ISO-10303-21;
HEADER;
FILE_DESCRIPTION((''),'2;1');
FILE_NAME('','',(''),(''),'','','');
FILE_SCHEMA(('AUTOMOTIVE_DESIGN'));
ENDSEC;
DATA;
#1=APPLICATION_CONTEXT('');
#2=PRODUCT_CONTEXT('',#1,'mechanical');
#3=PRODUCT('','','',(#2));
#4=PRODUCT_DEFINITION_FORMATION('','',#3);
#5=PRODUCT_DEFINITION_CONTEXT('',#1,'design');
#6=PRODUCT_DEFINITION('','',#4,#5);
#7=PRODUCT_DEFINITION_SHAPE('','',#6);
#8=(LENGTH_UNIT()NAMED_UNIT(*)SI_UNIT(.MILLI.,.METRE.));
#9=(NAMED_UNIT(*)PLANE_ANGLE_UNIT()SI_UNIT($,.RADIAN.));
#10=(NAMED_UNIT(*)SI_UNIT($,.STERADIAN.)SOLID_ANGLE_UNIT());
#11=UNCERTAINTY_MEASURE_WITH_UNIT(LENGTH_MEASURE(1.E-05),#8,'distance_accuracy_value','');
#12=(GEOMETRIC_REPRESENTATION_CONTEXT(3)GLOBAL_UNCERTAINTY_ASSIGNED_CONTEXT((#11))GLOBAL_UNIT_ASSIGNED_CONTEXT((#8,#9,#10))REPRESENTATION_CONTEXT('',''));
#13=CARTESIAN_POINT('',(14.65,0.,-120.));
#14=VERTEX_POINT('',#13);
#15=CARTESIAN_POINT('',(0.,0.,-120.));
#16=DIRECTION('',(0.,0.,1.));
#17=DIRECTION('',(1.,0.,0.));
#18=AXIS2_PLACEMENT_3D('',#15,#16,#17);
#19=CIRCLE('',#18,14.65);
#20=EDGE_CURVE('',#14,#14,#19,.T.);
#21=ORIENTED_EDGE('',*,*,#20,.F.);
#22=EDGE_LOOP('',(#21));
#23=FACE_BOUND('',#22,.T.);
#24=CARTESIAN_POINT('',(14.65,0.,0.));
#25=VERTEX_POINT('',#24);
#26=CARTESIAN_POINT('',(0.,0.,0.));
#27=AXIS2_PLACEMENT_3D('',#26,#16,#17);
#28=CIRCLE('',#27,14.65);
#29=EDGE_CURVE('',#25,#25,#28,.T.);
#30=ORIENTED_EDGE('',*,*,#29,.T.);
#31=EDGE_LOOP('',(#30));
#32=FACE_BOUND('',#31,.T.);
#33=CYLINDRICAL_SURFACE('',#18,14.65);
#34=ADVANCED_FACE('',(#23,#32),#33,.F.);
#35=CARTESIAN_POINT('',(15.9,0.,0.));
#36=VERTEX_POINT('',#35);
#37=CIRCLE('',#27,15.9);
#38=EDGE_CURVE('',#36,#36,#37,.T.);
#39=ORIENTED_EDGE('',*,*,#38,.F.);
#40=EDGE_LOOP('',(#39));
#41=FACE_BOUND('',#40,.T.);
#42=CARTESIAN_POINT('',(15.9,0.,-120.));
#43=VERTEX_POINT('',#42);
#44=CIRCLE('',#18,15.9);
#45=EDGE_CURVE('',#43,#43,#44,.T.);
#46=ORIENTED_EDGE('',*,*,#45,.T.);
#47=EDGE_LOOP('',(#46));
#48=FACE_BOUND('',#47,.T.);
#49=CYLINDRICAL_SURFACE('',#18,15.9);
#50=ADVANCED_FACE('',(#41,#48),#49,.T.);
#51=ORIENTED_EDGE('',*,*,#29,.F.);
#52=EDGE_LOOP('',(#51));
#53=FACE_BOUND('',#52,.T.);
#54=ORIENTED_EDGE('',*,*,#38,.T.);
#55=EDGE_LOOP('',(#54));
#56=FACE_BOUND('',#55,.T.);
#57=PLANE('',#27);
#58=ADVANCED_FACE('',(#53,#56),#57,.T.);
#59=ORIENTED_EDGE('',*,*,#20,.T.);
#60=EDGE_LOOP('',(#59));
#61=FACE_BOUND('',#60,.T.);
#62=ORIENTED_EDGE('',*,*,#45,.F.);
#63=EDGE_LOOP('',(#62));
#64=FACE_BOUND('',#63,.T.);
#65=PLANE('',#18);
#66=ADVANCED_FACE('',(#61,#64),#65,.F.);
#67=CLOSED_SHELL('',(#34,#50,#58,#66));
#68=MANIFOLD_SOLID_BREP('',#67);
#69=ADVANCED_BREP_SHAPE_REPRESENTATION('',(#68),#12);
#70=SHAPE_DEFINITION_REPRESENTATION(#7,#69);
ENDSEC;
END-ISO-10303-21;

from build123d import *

# Parameters (mm, degrees)
SKETCH1_R           = 15.9
SKETCH1_R_2         = 14.65
BOSS_EXTRUDE1_DEPTH = 120


with BuildPart() as part:
    # Sketch1 → Boss-Extrude1 (new body)
    with BuildSketch(Plane.XY):
        Circle(SKETCH1_R)
        Circle(SKETCH1_R_2, mode=Mode.SUBTRACT)
    extrude(amount=-BOSS_EXTRUDE1_DEPTH)


solid = part.part
